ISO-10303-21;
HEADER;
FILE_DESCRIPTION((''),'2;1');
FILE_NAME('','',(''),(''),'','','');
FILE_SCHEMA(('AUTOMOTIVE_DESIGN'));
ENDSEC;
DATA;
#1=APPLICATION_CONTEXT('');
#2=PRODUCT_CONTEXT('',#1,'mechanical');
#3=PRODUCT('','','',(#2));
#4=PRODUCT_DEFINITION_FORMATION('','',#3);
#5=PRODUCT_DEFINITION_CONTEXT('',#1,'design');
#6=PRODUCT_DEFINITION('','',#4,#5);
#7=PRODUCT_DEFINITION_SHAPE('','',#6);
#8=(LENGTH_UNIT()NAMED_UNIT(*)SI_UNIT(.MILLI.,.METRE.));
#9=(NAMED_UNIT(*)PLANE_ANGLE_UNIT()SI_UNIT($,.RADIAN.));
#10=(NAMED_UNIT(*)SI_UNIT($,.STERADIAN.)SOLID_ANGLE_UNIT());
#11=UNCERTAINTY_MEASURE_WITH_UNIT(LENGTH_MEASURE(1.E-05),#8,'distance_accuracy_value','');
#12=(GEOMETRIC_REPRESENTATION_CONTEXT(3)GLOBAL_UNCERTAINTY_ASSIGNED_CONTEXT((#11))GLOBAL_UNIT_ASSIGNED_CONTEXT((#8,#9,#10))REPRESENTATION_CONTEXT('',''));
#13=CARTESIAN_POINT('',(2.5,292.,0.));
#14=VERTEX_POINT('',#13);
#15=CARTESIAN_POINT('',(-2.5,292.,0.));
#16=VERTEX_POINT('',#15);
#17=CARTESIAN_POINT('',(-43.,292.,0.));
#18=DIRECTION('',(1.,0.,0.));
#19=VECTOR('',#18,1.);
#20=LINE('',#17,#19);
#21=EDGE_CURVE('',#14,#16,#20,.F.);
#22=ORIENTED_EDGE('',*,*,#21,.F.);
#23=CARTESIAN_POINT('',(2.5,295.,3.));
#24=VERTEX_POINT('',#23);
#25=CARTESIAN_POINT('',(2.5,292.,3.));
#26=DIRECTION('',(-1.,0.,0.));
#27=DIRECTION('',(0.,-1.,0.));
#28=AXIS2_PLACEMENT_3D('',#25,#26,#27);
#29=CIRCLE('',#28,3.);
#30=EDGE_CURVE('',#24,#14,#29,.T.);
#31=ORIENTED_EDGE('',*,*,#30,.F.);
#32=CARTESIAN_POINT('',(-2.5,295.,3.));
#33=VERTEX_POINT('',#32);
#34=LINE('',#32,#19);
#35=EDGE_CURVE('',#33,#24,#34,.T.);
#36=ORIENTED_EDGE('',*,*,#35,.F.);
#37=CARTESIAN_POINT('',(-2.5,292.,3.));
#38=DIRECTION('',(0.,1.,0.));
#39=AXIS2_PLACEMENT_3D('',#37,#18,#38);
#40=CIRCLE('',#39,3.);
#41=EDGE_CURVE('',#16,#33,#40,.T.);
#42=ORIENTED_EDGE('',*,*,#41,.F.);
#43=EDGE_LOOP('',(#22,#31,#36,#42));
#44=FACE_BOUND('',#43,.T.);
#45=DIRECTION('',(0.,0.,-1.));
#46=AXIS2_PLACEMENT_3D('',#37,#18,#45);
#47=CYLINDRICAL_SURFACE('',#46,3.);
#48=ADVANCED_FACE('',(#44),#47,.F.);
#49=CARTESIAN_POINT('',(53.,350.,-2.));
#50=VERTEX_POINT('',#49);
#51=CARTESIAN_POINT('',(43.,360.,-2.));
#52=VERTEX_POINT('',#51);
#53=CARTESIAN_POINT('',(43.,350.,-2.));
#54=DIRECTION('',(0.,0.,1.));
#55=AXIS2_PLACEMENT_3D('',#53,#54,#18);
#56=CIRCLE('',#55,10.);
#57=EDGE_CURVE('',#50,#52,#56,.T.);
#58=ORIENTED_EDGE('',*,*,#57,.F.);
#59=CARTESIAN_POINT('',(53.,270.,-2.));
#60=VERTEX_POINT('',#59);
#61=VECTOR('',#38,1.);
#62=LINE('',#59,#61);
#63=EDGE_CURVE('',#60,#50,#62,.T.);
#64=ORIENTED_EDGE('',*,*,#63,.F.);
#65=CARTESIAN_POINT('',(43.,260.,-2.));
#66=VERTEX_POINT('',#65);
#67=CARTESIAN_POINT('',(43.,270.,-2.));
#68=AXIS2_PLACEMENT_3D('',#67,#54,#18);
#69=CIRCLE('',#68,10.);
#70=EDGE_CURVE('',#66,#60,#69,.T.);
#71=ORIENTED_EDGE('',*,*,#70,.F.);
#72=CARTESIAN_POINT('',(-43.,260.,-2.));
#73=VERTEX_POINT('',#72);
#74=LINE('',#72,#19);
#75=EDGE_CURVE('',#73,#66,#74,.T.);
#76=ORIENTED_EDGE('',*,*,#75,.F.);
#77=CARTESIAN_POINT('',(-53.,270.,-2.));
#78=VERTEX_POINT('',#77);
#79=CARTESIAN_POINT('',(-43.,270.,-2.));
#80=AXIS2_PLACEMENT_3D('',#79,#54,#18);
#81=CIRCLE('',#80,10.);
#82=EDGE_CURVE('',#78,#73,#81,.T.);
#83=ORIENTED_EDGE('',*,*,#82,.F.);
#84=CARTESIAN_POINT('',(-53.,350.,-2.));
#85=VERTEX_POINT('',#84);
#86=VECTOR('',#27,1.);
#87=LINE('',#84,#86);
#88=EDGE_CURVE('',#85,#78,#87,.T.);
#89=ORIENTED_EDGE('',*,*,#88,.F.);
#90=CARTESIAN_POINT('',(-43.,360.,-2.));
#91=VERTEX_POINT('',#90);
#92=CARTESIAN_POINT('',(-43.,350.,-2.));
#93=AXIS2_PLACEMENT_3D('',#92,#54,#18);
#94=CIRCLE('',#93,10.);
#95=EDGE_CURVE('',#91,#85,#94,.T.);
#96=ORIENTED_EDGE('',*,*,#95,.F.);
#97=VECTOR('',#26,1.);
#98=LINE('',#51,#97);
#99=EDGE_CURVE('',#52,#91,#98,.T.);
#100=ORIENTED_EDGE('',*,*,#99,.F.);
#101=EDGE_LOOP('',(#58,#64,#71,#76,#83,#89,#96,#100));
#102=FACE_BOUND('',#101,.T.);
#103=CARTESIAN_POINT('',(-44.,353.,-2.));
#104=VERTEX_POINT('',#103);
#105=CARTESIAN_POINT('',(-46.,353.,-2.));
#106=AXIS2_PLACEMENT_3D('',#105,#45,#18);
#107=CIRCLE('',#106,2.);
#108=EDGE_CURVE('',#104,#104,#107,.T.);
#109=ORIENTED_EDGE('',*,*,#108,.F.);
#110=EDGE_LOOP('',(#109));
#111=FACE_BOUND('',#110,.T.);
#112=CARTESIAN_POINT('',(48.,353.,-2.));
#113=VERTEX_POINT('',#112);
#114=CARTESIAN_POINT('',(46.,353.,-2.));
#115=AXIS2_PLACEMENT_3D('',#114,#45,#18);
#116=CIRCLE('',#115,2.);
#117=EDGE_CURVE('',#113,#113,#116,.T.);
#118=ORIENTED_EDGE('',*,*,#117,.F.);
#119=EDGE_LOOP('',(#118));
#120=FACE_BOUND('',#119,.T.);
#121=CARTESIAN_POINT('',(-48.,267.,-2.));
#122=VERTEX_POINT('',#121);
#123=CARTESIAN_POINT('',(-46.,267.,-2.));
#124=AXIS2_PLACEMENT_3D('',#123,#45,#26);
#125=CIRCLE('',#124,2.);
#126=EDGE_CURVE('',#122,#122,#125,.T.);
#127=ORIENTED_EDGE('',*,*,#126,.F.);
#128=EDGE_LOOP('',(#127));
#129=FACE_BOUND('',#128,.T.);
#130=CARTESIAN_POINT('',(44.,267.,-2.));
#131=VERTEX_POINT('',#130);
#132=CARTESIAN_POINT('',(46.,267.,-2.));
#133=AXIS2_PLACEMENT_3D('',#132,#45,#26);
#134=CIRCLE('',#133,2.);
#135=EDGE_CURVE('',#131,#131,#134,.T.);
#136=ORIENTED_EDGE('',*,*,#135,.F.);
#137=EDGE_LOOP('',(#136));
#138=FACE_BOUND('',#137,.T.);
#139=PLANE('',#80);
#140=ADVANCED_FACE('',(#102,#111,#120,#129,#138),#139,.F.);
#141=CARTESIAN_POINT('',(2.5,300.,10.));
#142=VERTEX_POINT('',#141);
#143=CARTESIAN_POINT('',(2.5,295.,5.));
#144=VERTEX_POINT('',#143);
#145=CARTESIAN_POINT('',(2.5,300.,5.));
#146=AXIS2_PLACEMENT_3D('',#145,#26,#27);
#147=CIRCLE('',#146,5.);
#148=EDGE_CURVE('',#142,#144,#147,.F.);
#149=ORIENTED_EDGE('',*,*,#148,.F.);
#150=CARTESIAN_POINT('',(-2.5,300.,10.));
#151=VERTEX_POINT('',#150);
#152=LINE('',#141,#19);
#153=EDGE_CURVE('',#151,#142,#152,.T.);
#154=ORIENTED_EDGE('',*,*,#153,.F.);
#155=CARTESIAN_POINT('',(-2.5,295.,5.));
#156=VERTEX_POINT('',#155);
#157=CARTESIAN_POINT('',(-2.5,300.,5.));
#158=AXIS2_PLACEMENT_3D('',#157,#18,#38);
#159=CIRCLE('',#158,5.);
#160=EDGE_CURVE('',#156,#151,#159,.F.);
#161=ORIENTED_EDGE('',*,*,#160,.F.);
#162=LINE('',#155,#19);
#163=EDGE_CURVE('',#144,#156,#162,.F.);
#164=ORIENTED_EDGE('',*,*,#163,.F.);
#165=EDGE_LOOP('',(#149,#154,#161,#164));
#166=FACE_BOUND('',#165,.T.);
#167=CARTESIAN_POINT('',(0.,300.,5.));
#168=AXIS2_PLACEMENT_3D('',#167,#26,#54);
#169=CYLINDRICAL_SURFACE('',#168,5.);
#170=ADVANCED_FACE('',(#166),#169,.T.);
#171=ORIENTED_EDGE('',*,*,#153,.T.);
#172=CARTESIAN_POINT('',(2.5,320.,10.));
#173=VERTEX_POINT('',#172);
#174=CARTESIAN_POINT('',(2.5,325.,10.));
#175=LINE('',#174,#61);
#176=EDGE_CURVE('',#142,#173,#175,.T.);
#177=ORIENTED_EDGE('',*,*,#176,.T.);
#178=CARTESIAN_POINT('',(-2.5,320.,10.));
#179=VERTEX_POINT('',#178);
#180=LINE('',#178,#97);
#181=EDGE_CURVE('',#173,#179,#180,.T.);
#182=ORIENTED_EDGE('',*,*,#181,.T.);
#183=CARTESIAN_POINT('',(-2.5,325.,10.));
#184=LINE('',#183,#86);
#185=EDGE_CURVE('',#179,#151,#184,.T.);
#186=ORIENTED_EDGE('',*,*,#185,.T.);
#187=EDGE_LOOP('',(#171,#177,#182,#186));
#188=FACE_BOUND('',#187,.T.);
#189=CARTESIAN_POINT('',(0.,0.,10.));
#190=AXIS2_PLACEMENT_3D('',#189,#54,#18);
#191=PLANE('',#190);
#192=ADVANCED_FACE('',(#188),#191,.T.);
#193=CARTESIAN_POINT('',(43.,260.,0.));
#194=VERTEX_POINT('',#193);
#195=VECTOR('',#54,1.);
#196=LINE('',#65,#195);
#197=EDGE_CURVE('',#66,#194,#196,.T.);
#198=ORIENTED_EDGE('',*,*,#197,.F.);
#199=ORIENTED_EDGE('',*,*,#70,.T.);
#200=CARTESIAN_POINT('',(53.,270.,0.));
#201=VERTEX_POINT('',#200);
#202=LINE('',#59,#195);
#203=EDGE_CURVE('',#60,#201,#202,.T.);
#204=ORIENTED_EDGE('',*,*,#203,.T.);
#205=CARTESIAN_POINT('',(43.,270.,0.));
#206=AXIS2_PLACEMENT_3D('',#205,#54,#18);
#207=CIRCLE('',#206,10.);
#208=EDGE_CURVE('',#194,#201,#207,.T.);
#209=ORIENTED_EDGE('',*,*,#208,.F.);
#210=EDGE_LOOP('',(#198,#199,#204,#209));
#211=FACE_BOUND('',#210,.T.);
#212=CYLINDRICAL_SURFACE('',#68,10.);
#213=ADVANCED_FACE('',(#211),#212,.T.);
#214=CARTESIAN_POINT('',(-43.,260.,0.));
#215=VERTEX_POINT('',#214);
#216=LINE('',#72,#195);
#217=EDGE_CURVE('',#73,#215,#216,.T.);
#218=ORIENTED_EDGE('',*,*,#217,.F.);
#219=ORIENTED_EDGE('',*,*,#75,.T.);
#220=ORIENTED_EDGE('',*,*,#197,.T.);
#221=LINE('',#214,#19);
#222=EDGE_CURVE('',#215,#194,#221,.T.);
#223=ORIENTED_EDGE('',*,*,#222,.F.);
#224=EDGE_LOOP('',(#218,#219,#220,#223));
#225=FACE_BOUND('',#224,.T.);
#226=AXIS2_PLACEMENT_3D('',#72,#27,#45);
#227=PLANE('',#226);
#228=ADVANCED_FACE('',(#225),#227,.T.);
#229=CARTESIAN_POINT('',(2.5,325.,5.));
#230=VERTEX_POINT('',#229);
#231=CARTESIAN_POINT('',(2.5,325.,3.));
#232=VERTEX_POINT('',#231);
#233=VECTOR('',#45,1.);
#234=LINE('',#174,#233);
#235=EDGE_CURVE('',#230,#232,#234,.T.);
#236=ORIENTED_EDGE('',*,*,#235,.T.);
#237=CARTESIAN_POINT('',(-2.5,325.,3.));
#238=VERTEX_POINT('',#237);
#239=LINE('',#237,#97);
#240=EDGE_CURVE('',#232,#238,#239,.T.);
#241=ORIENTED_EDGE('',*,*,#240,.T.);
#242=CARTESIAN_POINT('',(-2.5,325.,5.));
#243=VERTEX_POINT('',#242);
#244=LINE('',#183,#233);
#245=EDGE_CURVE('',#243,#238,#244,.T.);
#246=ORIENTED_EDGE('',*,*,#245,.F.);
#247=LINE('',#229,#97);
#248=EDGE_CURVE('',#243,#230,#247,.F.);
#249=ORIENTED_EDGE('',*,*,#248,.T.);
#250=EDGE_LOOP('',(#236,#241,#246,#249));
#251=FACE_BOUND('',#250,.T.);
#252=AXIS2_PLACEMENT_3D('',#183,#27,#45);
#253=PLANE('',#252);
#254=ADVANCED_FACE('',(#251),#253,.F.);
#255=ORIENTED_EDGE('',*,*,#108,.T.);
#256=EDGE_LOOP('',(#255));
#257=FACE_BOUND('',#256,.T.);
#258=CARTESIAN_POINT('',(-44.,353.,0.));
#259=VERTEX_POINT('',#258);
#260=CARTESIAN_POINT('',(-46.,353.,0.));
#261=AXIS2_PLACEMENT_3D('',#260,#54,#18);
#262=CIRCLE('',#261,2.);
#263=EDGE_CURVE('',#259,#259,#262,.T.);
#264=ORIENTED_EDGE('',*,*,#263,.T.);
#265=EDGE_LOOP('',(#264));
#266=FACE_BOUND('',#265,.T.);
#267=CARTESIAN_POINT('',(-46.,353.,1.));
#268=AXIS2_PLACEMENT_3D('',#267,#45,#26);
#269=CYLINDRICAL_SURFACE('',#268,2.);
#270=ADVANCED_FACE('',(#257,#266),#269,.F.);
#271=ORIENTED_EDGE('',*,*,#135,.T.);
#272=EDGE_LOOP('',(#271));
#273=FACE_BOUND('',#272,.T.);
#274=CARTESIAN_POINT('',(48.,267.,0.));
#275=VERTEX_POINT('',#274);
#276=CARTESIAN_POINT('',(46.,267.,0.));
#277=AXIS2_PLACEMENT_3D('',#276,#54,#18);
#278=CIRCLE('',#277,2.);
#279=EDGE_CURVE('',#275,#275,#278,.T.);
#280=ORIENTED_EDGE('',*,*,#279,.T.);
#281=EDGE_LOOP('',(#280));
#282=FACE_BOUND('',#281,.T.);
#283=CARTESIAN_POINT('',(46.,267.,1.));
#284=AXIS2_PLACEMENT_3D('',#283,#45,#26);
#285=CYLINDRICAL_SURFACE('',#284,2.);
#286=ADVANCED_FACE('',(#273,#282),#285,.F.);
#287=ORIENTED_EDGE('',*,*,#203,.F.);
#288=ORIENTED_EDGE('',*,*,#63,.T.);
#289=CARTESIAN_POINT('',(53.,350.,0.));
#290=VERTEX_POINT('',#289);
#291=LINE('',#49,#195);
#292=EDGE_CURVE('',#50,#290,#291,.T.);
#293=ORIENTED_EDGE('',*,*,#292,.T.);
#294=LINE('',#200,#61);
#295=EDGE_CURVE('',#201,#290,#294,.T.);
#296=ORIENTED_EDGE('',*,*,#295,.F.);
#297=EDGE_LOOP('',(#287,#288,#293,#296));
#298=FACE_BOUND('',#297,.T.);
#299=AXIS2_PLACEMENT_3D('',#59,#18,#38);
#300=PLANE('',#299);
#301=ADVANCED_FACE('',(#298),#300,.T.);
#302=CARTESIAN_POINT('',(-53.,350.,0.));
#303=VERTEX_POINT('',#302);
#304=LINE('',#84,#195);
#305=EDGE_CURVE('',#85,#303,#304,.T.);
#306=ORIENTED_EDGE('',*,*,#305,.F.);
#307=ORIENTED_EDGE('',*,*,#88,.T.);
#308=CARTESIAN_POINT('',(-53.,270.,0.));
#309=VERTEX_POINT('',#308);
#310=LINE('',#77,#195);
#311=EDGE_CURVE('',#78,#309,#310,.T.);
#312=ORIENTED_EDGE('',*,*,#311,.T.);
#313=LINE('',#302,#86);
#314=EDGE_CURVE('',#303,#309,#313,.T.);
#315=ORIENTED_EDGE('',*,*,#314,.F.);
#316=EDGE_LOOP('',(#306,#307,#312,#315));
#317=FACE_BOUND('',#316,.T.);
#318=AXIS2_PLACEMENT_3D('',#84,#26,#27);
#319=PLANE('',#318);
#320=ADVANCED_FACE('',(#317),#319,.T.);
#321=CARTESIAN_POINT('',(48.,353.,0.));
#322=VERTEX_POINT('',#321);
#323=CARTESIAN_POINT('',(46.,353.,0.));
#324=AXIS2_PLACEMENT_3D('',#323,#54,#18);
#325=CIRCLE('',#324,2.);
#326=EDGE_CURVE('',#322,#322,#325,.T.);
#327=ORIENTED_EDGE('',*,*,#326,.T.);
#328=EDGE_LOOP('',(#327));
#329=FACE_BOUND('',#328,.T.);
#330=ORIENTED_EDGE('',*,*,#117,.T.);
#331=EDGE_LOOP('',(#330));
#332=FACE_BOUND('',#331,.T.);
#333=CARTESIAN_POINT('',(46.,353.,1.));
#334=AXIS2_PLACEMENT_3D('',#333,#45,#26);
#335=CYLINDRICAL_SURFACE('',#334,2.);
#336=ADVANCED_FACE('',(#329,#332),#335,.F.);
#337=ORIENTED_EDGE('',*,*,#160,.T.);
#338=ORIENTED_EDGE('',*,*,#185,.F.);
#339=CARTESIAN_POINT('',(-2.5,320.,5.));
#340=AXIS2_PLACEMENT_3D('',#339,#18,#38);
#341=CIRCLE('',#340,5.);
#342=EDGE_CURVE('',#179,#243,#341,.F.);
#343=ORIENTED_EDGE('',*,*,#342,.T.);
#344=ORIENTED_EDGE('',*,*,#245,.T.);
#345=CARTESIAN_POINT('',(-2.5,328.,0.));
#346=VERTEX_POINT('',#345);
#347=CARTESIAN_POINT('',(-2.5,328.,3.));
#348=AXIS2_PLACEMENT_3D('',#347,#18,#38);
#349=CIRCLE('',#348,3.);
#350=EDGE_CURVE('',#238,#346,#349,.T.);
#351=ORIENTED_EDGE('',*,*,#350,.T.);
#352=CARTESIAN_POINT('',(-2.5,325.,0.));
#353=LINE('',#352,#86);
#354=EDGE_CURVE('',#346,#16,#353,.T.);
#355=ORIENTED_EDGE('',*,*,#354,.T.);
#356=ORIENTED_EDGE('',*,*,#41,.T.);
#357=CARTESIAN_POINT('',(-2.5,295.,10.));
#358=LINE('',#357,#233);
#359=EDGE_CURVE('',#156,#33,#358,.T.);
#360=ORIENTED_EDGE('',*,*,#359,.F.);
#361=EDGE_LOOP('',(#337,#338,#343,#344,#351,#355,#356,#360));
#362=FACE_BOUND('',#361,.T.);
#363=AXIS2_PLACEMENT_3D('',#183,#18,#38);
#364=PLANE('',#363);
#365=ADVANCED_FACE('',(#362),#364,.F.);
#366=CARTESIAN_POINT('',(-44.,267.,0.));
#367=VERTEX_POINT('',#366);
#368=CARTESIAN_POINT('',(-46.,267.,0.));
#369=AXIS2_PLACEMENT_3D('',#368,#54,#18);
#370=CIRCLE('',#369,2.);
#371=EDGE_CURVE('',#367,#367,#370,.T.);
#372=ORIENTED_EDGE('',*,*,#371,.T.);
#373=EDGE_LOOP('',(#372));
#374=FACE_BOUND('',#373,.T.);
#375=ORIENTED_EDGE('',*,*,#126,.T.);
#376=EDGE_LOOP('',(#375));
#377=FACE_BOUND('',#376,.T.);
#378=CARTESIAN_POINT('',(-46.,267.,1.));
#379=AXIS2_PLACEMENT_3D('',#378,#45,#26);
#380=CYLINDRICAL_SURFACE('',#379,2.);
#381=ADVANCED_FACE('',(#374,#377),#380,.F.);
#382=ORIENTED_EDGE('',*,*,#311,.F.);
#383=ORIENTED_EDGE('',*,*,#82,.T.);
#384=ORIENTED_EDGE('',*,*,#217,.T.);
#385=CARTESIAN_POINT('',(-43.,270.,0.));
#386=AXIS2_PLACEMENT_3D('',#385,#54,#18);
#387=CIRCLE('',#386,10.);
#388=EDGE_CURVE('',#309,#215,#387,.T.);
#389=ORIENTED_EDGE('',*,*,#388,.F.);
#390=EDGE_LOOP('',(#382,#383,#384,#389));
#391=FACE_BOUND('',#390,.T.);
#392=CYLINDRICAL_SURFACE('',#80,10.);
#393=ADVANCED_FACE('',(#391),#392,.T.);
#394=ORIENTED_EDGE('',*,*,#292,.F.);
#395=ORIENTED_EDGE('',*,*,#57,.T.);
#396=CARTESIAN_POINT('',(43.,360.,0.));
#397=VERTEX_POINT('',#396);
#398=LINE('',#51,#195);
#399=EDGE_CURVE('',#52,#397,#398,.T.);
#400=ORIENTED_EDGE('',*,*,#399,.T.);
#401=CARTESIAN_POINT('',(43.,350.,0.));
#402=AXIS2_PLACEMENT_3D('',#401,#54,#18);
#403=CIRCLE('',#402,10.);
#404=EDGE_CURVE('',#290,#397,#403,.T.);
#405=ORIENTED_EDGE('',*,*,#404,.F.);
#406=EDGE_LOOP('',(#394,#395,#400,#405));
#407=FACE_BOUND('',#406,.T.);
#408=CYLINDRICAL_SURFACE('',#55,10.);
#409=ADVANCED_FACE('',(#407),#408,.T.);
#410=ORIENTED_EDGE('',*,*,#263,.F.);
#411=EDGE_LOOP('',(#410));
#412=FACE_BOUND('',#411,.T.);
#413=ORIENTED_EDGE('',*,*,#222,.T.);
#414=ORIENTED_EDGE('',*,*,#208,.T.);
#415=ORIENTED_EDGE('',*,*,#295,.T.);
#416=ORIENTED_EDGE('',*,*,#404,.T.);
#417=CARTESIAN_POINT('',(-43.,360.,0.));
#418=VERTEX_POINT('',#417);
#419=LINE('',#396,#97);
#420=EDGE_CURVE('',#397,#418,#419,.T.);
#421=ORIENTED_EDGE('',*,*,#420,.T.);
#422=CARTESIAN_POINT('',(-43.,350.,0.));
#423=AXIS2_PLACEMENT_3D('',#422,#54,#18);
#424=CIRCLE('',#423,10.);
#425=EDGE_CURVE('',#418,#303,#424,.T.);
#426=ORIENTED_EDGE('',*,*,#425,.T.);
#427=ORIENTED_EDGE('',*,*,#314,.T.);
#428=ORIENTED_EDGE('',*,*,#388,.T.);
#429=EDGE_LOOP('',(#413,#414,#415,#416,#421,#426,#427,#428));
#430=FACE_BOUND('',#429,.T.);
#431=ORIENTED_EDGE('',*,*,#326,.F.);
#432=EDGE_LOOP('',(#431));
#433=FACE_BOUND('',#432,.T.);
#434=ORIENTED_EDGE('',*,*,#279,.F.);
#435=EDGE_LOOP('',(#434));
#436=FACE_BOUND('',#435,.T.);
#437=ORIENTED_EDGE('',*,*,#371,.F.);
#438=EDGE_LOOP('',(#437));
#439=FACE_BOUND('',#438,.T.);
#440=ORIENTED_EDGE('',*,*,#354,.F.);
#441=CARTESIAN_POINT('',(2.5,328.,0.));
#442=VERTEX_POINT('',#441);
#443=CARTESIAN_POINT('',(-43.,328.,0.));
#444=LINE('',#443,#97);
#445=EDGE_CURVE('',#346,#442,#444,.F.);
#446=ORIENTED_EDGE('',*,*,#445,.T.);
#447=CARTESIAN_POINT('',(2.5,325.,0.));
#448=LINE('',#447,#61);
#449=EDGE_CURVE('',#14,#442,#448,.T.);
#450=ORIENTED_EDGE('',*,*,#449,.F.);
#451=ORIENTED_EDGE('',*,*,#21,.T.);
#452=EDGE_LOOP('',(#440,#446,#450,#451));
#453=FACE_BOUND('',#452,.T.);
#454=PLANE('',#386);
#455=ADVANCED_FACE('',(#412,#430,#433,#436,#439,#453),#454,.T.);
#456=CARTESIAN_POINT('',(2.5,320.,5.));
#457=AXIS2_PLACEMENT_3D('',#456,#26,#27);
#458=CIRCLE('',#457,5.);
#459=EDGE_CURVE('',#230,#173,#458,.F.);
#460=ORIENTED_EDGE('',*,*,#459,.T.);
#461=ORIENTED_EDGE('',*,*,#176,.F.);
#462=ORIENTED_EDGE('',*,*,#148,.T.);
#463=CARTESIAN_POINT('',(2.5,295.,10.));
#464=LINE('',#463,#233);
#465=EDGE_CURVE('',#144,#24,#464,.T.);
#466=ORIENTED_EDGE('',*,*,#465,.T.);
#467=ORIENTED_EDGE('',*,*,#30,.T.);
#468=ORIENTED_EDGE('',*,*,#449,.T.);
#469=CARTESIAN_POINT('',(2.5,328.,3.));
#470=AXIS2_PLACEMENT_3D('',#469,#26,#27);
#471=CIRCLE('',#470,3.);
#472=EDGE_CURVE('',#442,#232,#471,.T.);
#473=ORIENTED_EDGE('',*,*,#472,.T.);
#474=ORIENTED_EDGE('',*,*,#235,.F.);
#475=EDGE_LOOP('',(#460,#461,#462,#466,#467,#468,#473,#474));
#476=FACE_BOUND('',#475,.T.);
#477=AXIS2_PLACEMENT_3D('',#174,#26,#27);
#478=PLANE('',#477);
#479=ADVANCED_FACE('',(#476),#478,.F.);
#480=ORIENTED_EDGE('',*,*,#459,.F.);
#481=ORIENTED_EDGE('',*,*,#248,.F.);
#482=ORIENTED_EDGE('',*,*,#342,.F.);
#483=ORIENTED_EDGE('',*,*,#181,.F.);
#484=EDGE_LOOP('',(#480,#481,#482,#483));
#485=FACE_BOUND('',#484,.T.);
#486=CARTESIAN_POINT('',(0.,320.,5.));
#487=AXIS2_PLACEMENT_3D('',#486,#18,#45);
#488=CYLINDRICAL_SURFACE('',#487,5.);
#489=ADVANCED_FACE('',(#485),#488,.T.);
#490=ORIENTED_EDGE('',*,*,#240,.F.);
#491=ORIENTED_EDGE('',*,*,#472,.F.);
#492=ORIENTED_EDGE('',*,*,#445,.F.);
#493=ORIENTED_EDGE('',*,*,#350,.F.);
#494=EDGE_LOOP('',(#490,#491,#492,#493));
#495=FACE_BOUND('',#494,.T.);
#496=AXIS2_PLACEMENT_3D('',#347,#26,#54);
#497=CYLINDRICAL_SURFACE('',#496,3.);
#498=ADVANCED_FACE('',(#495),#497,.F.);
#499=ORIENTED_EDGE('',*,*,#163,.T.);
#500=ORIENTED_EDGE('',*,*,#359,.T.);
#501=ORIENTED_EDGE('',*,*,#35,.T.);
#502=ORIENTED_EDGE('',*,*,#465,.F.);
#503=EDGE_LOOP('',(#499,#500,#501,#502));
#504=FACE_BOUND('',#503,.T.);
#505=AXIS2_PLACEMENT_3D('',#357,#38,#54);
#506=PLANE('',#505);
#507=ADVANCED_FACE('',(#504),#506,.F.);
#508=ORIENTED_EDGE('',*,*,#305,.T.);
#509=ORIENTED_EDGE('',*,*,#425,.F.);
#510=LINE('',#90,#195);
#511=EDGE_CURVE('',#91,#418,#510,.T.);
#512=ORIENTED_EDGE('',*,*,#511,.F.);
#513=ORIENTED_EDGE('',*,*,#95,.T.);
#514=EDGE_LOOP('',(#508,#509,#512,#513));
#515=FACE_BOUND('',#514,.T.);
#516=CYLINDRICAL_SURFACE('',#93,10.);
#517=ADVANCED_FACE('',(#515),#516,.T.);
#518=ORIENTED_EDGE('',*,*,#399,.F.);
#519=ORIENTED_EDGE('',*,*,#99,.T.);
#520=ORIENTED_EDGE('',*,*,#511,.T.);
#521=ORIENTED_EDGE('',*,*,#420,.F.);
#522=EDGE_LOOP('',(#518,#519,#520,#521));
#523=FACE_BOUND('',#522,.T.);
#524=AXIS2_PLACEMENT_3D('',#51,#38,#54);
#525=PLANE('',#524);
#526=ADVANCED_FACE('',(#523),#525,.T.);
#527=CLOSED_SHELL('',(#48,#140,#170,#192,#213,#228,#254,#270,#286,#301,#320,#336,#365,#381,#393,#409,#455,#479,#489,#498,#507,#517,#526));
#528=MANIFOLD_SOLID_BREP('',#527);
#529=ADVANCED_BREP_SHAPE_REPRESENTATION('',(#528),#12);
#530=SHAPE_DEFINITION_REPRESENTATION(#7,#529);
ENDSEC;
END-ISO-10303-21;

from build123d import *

# Parameters (mm, degrees)
BOSS_EXTRUDE1_DEPTH = 2
SKETCH2_R           = 2
CUT_EXTRUDE1_DEPTH  = 3
SKETCH6_W           = 5
SKETCH6_H           = 30
BOSS_EXTRUDE2_DEPTH = 10
FILLET1_R           = 5
FILLET2_R           = 3


with BuildPart() as part:
    # Sketch1 → Boss-Extrude1 (new body)
    with BuildSketch(Plane.XY):
        with BuildLine():
            Line((-43, 260), (43, 260))
            ThreePointArc((43, 260), (50.071067812, 262.928932188), (53, 270))
            Line((53, 270), (53, 350))
            ThreePointArc((53, 350), (50.071067812, 357.071067812), (43, 360))
            Line((43, 360), (-43, 360))
            ThreePointArc((-43, 360), (-50.071067812, 357.071067812), (-53, 350))
            Line((-53, 350), (-53, 270))
            ThreePointArc((-53, 270), (-50.071067812, 262.928932188), (-43, 260))
        make_face()
    extrude(amount=-BOSS_EXTRUDE1_DEPTH)

    # Sketch2 → Cut-Extrude1 (cut)
    with BuildSketch(Plane(origin=(0, 0, -2), x_dir=(-1, 0, 0), z_dir=(0, 0, -1))):
        with Locations((46, 267)):
            Circle(SKETCH2_R)
        with Locations((-46, 267)):
            Circle(SKETCH2_R)
        with Locations(Location((-46, 353, 0), (0, 0, 180))):
            Circle(SKETCH2_R)
        with Locations(Location((46, 353, 0), (0, 0, 180))):
            Circle(SKETCH2_R)
    extrude(amount=-CUT_EXTRUDE1_DEPTH, mode=Mode.SUBTRACT)

    # Sketch6 → Boss-Extrude2 (add)
    with BuildSketch(Plane.XY):
        with Locations((0, 310)):
            Rectangle(SKETCH6_W, SKETCH6_H)
    extrude(amount=BOSS_EXTRUDE2_DEPTH)

    # Fillet1
    fillet1_edges = [part.edges().sort_by_distance(p)[0] for p in [
        (0, 295, 10),
        (0, 325, 10),
    ]]
    fillet(fillet1_edges, radius=FILLET1_R)

    # Fillet2
    fillet2_edges = [part.edges().sort_by_distance(p)[0] for p in [
        (0, 295, 0),
        (0, 325, 0),
    ]]
    fillet(fillet2_edges, radius=FILLET2_R)


solid = part.part
